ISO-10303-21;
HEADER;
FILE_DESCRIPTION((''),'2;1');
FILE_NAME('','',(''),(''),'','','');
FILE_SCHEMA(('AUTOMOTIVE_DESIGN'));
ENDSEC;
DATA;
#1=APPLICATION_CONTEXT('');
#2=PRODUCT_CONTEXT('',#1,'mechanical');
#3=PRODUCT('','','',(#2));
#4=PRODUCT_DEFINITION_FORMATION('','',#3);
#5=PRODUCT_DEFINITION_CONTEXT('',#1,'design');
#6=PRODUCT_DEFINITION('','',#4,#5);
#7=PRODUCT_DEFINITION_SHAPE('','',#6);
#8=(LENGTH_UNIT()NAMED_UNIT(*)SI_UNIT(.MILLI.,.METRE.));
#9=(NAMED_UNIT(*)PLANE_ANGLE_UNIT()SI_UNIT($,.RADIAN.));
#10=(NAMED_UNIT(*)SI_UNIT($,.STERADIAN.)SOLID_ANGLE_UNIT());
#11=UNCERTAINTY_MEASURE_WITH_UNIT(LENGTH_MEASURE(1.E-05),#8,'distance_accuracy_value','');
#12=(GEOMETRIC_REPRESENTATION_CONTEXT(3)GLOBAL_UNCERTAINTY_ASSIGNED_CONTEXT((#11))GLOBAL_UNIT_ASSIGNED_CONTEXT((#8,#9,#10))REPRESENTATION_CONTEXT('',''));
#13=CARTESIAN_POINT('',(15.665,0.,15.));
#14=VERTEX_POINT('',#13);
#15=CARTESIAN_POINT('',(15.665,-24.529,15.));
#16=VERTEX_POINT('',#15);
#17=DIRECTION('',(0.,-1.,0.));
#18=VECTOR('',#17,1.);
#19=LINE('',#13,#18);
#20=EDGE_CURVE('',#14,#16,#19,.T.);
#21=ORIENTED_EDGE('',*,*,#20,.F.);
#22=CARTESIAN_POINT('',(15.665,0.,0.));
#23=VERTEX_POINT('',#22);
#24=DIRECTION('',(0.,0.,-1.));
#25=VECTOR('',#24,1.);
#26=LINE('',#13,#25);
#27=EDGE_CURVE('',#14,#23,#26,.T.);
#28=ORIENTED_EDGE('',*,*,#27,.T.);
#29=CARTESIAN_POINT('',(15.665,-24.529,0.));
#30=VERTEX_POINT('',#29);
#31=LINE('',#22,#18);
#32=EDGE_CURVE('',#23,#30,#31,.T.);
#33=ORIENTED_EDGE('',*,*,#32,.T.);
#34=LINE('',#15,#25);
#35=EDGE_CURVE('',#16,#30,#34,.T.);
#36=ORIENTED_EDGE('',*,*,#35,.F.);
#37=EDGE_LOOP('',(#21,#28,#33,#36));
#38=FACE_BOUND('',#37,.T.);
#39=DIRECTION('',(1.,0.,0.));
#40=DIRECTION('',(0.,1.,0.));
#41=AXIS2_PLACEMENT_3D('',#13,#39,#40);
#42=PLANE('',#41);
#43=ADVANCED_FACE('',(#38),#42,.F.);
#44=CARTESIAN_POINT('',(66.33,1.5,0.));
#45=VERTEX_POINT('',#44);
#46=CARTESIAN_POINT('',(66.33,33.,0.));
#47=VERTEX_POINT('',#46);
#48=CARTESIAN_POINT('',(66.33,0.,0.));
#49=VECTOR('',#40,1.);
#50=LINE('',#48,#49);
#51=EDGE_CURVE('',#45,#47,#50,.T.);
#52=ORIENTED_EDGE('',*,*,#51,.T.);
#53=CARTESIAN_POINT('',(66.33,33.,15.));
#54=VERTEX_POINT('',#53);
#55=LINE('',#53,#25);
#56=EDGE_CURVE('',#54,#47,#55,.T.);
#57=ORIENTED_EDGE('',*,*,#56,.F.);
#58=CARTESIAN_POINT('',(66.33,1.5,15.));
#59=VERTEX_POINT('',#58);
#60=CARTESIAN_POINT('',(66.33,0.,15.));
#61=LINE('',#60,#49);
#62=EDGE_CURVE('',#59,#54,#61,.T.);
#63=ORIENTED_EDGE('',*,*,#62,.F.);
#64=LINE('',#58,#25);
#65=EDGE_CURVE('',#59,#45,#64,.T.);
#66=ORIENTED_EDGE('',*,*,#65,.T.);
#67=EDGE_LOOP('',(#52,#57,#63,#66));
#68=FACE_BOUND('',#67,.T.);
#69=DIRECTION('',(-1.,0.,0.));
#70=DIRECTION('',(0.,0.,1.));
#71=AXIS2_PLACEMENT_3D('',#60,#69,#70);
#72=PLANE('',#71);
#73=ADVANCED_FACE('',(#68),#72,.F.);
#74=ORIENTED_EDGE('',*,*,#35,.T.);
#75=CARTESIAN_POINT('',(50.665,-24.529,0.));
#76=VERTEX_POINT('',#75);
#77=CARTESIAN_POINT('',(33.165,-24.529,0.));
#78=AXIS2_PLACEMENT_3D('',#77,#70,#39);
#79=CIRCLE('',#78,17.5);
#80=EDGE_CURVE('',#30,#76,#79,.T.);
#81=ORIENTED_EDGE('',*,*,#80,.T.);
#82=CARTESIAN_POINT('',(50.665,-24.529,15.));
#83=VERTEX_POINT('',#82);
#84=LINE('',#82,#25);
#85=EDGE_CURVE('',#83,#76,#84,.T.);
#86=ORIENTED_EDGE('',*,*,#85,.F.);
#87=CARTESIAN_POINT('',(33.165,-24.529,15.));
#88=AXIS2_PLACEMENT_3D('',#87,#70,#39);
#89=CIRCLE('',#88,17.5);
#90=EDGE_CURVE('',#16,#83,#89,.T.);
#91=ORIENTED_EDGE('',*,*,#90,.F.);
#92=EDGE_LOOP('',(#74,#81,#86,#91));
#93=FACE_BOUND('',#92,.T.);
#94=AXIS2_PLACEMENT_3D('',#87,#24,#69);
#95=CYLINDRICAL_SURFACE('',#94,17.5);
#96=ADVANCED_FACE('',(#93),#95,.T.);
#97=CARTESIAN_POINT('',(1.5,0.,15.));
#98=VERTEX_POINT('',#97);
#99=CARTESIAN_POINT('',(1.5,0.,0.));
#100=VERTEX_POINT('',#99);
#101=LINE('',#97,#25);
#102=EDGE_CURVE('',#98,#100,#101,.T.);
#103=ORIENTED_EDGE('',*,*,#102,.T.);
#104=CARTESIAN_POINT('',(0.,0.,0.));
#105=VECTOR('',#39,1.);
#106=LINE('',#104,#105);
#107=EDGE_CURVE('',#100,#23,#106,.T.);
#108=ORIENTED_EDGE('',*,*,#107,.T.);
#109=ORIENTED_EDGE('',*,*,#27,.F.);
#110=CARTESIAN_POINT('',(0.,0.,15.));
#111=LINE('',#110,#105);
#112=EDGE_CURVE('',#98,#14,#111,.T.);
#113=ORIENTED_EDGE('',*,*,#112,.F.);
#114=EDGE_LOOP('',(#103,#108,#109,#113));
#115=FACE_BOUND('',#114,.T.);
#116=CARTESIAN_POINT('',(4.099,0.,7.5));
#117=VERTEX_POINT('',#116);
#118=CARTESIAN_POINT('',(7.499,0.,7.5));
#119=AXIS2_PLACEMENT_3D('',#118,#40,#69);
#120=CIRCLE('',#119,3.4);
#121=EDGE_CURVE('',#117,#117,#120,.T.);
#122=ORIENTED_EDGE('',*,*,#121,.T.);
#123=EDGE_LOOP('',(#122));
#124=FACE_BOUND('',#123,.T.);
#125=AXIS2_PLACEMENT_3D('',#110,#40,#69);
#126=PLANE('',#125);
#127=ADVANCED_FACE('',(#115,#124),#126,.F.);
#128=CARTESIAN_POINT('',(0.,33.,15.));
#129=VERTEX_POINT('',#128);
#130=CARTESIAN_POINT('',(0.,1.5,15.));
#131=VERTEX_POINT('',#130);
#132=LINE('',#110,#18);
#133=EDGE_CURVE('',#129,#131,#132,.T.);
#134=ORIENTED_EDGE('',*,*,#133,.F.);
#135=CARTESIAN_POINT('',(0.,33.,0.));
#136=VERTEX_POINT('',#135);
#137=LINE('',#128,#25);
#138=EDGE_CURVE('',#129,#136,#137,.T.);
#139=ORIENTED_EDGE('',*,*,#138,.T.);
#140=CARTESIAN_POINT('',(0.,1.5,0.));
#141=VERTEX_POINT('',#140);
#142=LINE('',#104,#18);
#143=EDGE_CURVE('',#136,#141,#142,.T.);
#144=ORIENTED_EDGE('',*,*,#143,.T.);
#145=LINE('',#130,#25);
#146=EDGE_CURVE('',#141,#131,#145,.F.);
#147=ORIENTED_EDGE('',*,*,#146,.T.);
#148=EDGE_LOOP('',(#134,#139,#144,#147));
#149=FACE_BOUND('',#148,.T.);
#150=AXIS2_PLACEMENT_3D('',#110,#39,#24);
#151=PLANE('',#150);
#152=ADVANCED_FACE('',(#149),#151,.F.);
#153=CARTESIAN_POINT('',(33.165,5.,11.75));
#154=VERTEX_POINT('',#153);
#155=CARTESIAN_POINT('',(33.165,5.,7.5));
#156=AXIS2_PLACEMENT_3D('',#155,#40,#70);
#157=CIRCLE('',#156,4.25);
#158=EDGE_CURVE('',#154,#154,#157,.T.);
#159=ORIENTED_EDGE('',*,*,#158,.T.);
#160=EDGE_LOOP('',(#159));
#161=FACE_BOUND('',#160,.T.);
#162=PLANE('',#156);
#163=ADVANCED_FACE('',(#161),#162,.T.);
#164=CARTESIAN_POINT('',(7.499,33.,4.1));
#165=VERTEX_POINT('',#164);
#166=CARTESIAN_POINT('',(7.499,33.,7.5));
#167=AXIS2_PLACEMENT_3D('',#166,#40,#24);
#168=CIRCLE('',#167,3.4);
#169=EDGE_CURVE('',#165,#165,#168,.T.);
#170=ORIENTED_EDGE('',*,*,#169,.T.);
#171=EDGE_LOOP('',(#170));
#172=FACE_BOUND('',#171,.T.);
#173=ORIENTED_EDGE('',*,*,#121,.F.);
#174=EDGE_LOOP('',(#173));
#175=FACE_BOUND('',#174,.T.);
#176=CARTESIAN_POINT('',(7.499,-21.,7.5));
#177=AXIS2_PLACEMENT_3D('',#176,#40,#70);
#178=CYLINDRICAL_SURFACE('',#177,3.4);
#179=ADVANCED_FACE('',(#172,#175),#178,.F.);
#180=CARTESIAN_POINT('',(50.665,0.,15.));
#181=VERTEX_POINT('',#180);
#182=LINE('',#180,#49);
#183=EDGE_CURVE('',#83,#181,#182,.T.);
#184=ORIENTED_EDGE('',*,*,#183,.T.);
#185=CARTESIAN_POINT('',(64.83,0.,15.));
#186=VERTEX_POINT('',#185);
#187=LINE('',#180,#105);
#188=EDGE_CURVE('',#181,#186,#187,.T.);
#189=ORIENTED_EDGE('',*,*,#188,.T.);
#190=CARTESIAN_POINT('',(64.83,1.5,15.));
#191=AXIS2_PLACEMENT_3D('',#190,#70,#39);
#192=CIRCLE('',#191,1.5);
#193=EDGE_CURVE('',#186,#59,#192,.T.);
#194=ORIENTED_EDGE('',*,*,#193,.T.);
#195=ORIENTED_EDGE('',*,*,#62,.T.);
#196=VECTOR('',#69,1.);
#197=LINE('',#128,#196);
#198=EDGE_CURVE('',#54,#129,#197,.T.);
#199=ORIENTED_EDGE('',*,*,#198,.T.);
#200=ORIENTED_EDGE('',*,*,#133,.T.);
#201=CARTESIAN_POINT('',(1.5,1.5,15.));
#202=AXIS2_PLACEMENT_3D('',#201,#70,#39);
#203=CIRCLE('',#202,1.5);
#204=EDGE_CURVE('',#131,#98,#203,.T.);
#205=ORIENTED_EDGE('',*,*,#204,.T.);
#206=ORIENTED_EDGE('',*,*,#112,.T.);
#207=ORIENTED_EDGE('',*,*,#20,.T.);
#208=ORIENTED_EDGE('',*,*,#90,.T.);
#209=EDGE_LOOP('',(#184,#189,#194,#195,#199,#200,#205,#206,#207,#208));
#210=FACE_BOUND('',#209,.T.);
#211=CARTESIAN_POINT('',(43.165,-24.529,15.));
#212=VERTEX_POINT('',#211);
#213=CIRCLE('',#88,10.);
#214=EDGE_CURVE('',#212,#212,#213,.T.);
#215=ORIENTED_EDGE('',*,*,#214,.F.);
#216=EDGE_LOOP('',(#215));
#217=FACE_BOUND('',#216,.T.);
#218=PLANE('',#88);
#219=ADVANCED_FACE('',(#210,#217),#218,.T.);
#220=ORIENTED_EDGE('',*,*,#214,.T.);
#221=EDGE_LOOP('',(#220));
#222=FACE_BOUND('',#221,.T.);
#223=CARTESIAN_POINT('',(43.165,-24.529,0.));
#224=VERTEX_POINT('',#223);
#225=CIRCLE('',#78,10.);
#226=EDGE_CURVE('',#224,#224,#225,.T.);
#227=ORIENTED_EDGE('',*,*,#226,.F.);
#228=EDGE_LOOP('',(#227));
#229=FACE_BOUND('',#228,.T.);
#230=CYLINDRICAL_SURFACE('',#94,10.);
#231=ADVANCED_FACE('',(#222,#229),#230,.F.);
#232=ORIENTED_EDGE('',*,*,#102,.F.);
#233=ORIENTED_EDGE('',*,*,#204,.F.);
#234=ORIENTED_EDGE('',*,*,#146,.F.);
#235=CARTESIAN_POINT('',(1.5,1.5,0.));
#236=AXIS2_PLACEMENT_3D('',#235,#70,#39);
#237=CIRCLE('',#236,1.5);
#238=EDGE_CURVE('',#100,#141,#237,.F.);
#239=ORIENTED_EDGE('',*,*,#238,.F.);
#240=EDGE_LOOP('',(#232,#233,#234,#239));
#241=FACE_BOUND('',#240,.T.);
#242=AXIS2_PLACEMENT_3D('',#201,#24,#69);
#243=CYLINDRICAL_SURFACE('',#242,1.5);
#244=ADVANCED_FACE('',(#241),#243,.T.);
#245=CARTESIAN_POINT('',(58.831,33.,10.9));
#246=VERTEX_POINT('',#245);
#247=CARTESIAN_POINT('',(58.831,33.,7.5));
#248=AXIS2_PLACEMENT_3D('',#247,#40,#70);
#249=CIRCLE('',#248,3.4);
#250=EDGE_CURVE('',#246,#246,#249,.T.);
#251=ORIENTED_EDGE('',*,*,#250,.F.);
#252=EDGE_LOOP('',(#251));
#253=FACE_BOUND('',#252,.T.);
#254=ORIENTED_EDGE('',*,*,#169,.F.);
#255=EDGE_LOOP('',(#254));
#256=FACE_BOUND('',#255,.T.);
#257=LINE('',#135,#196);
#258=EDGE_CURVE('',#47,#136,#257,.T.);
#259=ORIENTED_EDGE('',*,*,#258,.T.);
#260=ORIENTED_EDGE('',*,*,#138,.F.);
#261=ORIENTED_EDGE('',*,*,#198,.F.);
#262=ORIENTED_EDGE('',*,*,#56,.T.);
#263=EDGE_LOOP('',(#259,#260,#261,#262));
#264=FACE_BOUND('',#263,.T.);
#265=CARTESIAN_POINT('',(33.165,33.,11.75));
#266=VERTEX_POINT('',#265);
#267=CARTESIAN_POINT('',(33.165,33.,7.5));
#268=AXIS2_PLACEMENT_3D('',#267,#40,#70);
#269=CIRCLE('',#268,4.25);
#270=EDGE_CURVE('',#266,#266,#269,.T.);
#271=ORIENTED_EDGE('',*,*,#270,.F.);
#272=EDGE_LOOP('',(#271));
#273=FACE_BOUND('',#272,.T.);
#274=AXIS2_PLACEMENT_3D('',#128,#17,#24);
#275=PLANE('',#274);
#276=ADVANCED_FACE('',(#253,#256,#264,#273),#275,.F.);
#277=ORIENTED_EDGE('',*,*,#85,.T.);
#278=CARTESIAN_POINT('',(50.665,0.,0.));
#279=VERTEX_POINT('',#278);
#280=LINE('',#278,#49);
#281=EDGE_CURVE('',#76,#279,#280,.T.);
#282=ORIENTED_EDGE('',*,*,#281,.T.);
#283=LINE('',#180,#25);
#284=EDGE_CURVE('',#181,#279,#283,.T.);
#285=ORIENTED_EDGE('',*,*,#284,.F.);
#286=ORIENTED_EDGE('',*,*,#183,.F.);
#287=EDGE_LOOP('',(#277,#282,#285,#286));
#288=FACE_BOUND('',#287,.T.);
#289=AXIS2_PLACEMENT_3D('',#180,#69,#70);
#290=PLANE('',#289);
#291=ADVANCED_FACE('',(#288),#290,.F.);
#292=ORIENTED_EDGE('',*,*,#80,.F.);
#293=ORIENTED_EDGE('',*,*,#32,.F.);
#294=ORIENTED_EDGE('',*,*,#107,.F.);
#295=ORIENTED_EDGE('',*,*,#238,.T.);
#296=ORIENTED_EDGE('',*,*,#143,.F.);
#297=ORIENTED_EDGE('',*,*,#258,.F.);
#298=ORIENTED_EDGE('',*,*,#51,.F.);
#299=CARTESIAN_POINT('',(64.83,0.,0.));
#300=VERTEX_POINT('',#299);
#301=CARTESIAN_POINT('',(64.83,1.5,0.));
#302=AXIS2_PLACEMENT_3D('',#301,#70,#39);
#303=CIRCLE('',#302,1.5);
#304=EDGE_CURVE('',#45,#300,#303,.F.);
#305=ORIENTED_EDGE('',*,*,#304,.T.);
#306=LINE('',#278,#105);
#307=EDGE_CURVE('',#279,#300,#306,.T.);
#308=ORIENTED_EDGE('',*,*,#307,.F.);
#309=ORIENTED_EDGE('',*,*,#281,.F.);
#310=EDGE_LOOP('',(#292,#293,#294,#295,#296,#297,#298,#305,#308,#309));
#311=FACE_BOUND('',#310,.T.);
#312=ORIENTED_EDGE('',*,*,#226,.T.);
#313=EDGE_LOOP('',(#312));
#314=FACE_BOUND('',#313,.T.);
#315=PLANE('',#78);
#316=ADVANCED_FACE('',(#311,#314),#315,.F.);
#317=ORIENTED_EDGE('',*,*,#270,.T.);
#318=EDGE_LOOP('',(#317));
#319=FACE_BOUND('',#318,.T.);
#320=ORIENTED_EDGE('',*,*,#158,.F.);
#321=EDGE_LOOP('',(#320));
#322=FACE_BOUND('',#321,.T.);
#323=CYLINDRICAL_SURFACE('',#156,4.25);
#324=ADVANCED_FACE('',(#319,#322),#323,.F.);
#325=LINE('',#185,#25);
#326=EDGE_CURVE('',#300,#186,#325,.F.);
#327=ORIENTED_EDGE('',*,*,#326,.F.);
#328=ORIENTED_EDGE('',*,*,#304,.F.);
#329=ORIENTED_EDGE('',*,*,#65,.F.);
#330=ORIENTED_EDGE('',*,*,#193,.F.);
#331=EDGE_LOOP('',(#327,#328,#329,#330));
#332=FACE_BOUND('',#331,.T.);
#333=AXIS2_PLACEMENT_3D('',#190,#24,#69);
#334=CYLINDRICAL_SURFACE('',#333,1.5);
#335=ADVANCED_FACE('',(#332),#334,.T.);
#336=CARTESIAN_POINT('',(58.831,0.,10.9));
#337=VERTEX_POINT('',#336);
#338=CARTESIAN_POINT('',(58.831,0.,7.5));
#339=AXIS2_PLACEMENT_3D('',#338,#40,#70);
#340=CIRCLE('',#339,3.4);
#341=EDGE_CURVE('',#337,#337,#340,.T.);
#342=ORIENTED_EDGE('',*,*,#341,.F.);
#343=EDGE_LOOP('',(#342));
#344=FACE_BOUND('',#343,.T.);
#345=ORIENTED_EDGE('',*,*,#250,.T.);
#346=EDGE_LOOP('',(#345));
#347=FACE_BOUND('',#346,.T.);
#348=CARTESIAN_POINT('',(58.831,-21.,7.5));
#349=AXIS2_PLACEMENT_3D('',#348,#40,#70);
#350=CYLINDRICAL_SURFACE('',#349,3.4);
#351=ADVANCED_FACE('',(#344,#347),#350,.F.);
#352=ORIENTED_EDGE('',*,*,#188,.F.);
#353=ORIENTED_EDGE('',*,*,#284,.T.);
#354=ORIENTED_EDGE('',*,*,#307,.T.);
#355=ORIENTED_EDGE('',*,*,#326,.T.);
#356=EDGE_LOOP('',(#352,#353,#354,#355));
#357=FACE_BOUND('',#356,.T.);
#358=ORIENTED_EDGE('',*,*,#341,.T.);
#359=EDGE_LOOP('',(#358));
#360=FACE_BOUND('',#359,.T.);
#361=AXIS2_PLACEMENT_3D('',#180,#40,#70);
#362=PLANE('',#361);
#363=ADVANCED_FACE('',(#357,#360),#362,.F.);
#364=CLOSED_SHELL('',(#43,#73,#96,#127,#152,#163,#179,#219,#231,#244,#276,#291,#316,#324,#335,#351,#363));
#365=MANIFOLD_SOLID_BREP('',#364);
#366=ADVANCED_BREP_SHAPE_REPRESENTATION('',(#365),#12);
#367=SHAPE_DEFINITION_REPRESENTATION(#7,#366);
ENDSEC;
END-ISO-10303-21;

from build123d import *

# Parameters (mm, degrees)
SKETCH1_R           = 10
BOSS_EXTRUDE1_DEPTH = 15
SKETCH2_R           = 3.4
CUT_EXTRUDE1_DEPTH  = 54
SKETCH3_R           = 4.25
CUT_EXTRUDE2_DEPTH  = 28
FILLET1_R           = 1.5


with BuildPart() as part:
    # Sketch1 → Boss-Extrude1 (new body)
    with BuildSketch(Plane.XY):
        with BuildLine():
            Line((0, 0), (0, 33))
            Line((0, 33), (66.33, 33))
            Line((66.33, 33), (66.33, 0))
            Line((66.33, 0), (50.665, 0))
            Line((50.665, 0), (50.665, -24.529))
            ThreePointArc((50.665, -24.529), (33.165, -42.029), (15.665, -24.529))
            Line((15.665, -24.529), (15.665, 0))
            Line((15.665, 0), (0, 0))
        make_face()
        with Locations((33.165, -24.529)):
            Circle(SKETCH1_R, mode=Mode.SUBTRACT)
    extrude(amount=BOSS_EXTRUDE1_DEPTH)

    # Sketch2 → Cut-Extrude1 (cut)
    with BuildSketch(Plane(origin=(0, 33, 0), x_dir=(1, 0, 0), z_dir=(0, 1, 0))):
        with Locations(Location((58.831, -7.5, 0), (0, 0, 270))):
            Circle(SKETCH2_R)
        with Locations(Location((7.499, -7.5, 0), (0, 0, 180))):
            Circle(SKETCH2_R)
    extrude(amount=-CUT_EXTRUDE1_DEPTH, mode=Mode.SUBTRACT)

    # Sketch3 → Cut-Extrude2 (cut)
    with BuildSketch(Plane(origin=(0, 33, 0), x_dir=(1, 0, 0), z_dir=(0, 1, 0))):
        with Locations(Location((33.165, -7.5, 0), (0, 0, 270))):
            Circle(SKETCH3_R)
    extrude(amount=-CUT_EXTRUDE2_DEPTH, mode=Mode.SUBTRACT)

    # Fillet1
    fillet1_edges = [part.edges().sort_by_distance(p)[0] for p in [
        (0, 0, 7.5),
        (66.33, 0, 7.5),
    ]]
    fillet(fillet1_edges, radius=FILLET1_R)


solid = part.part
